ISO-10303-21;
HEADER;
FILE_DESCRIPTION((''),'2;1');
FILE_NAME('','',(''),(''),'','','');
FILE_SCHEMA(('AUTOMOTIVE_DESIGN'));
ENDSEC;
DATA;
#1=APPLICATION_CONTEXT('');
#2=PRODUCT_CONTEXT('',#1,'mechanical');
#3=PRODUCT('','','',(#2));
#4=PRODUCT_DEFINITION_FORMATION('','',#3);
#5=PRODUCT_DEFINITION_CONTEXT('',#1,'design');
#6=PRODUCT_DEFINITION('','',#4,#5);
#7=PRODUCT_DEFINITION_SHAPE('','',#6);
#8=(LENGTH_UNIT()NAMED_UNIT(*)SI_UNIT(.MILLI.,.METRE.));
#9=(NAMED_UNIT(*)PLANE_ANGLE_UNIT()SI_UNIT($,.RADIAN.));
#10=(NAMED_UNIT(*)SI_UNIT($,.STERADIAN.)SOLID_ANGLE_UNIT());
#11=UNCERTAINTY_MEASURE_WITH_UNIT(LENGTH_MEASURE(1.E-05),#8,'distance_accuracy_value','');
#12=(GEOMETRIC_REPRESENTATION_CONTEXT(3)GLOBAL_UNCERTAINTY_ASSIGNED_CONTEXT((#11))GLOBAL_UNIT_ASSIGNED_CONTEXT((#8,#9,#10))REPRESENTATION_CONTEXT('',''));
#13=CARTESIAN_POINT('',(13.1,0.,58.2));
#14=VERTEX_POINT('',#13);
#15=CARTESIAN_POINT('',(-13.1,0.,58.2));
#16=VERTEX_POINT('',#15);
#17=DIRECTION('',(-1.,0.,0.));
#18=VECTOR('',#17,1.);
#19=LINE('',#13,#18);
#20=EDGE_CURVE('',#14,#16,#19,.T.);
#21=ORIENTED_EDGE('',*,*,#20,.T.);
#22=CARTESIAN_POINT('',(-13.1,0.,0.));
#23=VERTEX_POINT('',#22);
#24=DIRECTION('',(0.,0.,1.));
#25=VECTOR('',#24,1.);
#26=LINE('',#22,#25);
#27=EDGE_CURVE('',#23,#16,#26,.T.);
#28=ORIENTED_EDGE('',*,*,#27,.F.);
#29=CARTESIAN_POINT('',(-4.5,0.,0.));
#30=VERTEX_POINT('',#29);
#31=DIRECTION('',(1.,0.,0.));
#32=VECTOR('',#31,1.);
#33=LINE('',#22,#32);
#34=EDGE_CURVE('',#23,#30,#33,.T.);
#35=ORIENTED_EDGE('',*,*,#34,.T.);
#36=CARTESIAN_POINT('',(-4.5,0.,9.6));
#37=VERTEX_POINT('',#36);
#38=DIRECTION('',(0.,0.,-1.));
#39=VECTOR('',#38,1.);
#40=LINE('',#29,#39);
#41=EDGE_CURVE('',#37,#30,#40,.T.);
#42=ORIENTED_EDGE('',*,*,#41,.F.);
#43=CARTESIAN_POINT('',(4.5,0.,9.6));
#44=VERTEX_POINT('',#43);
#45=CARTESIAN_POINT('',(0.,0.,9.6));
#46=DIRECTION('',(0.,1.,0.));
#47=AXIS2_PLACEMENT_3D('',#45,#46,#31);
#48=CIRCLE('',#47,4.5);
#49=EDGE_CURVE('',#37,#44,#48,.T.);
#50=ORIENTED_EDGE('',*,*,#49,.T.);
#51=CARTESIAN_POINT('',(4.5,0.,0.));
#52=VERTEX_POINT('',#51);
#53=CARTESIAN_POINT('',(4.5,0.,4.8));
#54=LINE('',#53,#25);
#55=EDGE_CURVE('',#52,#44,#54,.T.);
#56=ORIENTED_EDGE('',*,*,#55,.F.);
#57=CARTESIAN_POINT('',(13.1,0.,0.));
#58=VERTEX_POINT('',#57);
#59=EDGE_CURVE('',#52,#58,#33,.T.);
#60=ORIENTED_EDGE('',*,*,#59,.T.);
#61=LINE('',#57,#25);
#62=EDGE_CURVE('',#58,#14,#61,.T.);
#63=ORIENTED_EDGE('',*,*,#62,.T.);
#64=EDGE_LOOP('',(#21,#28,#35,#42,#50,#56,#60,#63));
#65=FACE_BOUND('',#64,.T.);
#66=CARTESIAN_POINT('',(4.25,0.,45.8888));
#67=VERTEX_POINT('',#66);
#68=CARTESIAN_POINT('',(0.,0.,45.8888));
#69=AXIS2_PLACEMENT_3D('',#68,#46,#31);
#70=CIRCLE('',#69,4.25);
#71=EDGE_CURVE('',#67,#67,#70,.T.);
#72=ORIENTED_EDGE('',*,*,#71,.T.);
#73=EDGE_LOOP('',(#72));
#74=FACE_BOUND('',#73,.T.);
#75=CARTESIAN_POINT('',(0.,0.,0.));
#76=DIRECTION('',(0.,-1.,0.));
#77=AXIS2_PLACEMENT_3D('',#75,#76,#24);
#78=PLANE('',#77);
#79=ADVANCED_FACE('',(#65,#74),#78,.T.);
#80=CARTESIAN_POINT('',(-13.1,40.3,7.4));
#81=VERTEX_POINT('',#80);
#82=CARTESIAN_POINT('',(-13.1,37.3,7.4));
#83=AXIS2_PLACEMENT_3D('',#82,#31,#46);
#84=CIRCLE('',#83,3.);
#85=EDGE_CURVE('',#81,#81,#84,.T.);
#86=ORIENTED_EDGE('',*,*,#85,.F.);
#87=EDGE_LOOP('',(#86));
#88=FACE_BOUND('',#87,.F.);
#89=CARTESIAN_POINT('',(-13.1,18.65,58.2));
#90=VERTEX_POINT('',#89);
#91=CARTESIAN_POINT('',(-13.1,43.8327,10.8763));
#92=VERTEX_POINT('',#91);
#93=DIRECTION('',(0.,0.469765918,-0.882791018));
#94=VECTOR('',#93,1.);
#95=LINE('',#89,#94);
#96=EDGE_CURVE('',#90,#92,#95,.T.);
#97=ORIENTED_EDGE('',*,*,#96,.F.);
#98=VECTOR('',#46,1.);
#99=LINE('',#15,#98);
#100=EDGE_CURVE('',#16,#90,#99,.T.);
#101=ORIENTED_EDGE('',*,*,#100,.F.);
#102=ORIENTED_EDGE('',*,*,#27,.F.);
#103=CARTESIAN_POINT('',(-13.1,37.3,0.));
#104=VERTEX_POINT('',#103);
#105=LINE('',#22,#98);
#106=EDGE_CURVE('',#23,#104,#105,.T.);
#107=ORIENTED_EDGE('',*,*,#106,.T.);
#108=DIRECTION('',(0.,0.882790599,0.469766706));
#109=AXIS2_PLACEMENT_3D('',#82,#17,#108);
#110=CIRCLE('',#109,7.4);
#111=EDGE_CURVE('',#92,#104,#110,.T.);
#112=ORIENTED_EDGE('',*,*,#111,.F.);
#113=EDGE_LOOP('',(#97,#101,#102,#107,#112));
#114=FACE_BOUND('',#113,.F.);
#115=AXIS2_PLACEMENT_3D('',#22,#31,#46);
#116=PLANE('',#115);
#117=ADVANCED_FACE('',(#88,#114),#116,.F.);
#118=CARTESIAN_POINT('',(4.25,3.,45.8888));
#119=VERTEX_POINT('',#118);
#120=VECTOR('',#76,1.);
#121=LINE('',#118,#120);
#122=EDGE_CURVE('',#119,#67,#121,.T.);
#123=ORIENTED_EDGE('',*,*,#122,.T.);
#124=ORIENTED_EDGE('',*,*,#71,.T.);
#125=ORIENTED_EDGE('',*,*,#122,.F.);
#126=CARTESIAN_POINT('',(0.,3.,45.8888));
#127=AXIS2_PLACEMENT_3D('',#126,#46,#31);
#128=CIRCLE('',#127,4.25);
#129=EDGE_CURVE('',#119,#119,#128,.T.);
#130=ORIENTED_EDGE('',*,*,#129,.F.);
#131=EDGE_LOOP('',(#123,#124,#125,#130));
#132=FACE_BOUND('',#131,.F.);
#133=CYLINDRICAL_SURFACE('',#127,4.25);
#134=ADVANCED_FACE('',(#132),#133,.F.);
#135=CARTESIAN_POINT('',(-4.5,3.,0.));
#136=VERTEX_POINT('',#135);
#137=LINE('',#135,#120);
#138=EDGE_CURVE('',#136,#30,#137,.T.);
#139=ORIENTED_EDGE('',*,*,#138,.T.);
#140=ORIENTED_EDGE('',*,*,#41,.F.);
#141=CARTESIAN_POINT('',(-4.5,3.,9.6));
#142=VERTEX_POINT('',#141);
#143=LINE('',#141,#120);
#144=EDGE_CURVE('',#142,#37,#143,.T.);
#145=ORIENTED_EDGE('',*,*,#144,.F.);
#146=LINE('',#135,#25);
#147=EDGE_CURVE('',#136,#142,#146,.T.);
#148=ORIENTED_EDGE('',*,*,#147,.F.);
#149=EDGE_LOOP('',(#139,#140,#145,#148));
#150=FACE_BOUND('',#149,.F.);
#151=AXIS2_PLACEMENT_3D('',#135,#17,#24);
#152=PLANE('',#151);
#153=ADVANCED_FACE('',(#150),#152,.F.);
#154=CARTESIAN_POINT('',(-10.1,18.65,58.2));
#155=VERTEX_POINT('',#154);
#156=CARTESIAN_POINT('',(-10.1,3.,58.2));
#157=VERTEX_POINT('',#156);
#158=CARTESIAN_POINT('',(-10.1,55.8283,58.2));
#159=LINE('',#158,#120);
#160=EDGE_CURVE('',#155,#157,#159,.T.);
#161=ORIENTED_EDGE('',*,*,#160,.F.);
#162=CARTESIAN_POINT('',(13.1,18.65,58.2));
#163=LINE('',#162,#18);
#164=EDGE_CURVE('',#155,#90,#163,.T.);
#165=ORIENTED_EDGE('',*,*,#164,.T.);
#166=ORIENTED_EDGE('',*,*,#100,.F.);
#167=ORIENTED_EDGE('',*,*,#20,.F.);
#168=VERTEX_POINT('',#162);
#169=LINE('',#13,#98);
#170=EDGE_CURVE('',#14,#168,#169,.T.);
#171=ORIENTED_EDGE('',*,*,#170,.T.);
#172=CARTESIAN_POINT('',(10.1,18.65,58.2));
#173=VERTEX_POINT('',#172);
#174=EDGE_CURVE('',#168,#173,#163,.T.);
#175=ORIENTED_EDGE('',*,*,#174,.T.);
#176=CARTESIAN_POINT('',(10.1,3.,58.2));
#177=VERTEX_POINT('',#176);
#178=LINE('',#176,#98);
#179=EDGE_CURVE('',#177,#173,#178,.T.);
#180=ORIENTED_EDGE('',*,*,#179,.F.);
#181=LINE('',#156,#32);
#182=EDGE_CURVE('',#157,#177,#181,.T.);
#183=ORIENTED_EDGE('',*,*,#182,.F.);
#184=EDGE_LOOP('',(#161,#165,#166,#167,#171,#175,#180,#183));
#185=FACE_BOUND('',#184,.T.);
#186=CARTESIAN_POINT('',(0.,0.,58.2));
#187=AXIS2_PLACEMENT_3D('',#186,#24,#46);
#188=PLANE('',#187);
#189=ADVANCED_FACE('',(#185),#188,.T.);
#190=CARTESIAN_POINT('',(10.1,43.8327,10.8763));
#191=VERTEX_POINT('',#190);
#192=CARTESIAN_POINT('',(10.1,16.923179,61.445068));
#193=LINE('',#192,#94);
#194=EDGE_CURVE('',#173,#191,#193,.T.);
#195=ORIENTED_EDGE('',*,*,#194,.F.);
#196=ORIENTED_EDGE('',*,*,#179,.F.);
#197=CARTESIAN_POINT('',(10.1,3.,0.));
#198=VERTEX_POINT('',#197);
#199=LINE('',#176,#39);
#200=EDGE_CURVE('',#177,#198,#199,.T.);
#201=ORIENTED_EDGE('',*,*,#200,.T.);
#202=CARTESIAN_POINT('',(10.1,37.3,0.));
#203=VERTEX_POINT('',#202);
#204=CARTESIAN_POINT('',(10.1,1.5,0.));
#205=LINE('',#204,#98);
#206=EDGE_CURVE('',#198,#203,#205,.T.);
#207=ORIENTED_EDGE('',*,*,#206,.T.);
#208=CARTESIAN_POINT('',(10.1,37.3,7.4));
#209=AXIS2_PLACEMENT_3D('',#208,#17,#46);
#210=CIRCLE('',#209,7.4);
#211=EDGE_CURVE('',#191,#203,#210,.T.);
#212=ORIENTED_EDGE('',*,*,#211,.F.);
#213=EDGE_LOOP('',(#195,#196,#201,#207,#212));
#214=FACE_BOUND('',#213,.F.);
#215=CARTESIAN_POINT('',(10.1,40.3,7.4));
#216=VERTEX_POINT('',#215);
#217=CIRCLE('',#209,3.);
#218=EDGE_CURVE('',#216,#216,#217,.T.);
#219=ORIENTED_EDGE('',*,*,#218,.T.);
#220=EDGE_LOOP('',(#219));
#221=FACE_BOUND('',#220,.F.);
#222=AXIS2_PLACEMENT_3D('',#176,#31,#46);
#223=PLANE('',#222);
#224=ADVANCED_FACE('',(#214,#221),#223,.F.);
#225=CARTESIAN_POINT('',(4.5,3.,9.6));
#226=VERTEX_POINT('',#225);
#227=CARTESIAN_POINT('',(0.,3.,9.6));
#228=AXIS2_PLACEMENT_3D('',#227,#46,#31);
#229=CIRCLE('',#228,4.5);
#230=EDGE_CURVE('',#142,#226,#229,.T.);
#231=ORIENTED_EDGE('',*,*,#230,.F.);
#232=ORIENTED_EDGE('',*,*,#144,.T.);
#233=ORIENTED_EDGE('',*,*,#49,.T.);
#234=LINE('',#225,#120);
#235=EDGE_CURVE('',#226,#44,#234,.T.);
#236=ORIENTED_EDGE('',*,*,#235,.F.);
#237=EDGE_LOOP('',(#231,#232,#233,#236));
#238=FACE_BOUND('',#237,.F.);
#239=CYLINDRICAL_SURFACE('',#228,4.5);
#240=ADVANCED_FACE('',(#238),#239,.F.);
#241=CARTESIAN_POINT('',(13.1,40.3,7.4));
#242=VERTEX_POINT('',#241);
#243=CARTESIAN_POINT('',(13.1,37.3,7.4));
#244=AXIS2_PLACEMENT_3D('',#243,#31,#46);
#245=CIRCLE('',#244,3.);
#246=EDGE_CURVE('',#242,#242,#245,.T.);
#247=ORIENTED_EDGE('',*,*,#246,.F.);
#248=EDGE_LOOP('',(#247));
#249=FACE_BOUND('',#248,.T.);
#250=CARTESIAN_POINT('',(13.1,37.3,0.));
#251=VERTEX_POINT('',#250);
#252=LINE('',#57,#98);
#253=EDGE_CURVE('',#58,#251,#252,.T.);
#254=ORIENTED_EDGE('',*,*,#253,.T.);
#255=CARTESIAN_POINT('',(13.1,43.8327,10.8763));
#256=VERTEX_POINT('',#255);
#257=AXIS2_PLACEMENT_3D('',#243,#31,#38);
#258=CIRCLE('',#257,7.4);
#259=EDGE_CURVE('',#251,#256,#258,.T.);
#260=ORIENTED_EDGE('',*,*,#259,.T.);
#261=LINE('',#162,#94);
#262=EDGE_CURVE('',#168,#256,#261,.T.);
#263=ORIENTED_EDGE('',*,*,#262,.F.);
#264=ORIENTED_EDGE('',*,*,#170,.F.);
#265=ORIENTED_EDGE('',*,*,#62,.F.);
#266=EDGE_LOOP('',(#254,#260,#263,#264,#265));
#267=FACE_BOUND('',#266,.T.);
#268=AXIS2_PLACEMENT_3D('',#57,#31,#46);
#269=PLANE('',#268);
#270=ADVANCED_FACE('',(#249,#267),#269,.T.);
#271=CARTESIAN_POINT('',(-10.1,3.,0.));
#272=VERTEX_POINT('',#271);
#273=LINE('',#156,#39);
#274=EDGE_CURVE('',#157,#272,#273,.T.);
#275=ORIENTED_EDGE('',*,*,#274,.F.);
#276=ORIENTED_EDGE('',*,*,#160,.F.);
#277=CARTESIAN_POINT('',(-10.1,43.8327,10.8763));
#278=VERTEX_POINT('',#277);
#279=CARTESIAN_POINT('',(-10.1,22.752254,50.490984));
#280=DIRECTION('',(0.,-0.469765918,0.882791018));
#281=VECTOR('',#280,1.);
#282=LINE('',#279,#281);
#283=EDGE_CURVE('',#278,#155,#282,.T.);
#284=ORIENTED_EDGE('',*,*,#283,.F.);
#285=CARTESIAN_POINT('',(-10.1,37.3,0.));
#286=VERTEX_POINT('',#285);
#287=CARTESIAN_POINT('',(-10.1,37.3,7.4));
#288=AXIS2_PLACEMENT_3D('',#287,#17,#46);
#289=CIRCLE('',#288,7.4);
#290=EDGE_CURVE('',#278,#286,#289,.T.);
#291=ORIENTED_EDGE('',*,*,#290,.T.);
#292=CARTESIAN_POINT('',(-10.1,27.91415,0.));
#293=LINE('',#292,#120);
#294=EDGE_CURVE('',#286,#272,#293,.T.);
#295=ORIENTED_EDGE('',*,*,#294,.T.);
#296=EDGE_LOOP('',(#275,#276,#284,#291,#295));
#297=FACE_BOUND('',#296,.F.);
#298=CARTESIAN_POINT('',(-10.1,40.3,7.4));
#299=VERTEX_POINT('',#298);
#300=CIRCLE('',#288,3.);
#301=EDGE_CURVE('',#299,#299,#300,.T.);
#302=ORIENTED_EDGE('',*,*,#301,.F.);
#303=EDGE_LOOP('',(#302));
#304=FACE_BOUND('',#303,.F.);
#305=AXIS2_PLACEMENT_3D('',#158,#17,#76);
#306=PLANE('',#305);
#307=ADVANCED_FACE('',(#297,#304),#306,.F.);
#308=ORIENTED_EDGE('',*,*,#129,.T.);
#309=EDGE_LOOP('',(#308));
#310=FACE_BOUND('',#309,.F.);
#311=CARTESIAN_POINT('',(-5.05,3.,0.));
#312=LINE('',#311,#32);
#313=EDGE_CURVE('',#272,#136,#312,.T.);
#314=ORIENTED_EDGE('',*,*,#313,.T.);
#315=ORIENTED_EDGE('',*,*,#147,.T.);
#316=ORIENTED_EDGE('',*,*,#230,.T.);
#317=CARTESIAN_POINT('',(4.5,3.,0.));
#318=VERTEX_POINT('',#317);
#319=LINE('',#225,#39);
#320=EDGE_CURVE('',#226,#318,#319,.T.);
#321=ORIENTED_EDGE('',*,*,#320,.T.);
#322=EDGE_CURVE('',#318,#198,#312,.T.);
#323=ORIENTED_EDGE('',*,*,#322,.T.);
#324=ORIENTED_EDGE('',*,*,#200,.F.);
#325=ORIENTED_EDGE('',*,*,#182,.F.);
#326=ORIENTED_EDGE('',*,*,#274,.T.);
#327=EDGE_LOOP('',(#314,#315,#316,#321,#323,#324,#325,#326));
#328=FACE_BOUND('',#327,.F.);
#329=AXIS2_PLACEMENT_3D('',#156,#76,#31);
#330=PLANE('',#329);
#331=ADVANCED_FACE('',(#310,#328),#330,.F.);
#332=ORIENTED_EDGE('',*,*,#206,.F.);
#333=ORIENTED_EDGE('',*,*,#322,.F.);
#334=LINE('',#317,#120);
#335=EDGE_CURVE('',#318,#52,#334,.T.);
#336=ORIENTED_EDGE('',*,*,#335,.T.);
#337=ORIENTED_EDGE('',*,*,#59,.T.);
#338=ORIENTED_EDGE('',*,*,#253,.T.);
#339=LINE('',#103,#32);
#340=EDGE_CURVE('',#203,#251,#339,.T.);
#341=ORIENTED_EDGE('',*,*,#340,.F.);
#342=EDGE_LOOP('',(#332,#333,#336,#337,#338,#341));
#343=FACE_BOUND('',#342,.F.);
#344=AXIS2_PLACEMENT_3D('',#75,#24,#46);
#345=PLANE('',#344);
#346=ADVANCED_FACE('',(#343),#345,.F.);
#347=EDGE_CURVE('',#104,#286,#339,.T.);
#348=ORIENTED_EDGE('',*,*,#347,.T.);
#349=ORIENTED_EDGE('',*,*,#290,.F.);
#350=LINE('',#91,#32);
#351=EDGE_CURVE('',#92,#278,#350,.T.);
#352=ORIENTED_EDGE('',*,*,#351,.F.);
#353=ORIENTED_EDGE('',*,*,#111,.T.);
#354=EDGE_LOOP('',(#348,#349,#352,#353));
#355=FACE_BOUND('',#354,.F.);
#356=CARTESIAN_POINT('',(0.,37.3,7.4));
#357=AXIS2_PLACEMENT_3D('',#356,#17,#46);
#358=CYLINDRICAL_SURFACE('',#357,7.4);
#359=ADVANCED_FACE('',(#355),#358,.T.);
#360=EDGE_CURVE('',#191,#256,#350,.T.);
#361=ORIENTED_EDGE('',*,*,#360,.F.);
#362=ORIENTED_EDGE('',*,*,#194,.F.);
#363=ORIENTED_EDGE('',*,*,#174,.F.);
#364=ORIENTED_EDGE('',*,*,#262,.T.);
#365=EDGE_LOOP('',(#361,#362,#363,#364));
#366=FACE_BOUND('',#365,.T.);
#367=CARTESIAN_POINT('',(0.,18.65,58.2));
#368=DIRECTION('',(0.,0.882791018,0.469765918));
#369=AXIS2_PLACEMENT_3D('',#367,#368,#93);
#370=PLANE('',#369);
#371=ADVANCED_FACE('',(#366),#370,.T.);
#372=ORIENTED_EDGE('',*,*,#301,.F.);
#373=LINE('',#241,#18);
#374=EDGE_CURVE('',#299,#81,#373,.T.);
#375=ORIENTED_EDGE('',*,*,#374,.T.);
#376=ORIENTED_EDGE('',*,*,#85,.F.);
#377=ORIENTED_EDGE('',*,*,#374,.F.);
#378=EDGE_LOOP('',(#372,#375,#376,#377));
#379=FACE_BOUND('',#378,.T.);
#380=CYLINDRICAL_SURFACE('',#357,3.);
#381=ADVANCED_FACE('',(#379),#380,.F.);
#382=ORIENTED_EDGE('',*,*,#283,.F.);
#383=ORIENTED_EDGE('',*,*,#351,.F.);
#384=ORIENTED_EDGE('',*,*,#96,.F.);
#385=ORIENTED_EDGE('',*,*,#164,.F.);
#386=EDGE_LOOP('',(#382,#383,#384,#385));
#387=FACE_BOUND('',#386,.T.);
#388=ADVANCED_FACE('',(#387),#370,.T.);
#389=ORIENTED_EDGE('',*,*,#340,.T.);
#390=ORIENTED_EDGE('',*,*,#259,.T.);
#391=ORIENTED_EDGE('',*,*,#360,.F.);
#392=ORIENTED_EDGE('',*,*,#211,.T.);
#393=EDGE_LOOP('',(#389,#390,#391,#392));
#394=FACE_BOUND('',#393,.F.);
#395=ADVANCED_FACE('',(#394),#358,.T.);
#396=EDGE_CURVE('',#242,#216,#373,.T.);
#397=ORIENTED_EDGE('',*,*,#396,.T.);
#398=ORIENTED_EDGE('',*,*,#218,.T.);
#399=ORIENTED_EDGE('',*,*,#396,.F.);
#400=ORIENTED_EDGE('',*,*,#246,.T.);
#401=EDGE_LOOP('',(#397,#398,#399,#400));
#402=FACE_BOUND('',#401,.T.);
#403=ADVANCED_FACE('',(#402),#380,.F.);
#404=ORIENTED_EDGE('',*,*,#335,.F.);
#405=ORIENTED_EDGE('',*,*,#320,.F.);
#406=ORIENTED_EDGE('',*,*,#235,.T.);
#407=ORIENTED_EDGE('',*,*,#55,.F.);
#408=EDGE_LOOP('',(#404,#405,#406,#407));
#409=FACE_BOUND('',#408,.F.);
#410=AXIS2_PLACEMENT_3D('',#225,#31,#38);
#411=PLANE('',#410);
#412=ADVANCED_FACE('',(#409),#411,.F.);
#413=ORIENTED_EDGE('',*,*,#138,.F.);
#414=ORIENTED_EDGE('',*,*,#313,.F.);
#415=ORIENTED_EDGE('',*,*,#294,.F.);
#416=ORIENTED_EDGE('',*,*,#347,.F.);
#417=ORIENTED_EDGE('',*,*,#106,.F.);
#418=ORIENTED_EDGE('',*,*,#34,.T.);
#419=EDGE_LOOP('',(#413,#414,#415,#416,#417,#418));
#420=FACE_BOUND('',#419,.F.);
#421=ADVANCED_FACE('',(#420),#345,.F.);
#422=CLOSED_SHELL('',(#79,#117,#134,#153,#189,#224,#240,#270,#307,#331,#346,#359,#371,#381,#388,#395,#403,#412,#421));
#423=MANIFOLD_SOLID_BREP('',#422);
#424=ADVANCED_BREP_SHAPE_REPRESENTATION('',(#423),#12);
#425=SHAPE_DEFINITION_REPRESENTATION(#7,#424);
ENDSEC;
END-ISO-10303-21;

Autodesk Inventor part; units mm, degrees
ref_plane "YZ Plane" through (0, 0, 0) normal (1, 0, 0) x (0, 1, 0)
ref_plane "XZ Plane" through (0, 0, 0) normal (0, 1, 0) x (-1, 0, 0)
ref_plane "XY Plane" through (0, 0, 0) normal (0, 0, 1) x (1, 0, 0)
sketch "스케치1" plane through (0, 0, 0) normal (1, 0, 0) x (0, 1, 0)
  line L0 (0, 0) -> (0, 58.2)
  line L1 (0, 58.2) -> (18.65, 58.2)
  line L2 (0, 0) -> (37.3, 0)
  circle A0 centre (37.3, 7.4) radius 7.4
  circle A1 centre (37.3, 7.4) radius 3
  line L3 (18.65, 58.2) -> (43.8327, 10.8763)
  dimension "d3" = 14.8
  dimension "d0" = 58.2
  dimension "d1" = 37.3
  dimension "d2" = 18.65
  dimension "d4" = 0
  dimension "d5" = 6
extrude "돌출1" add sketch "스케치1" along normal mid plane 26.2
sketch "스케치2" plane through (-13.1, 0, 58.2) normal (0, 0, 1) x (1, 0, 0)
  line L0 (3, 3) -> (23.2, 3)
  line L1 (23.2, 3) -> (23.2, 55.8283)
  line L2 (23.2, 55.8283) -> (3, 55.8283)
  line L3 (3, 55.8283) -> (3, 3)
  line L4 (26.2, 43.8327) -> (26.2, 18.65) projected
  line L5 (26.2, 0) -> (0, 0) projected
  line L6 (0, 18.65) -> (0, 43.8327) projected
  point P0 (13.1, 0)
  dimension "d8" = 3
  dimension "d9" = 3
  dimension "d10" = 3
extrude "돌출2" cut sketch "스케치2" against normal through all
sketch "스케치3" plane through (-10.1, 3, 58.2) normal (0, 1, 0) x (1, 0, 0)
  circle A0 centre (10.1, 48.6) radius 4.5
  line L0 (0, 58.2) -> (20.2, 58.2) projected
  line L1 (14.6, 58.2) -> (5.6, 58.2)
  line L2 (5.6, 58.2) -> (5.6, 48.6)
  line L3 (5.6, 48.6) -> (14.6, 48.6)
  line L4 (14.6, 48.6) -> (14.6, 58.2)
  circle A1 centre (10.1, 12.3112) radius 4.25
  point P0 (10.1, 58.2)
  point P1 (10.1, 58.2)
  point P2 (10.1, 48.6)
  point P3 (10.1, 58.2)
  point P4 (14.6, 48.6)
  dimension "d13" = 9
  dimension "d14" = 9
  dimension "d15" = 9.6
  dimension "d16" = 0
  dimension "d17" = 8.5
  dimension "d18" = 0
extrude "돌출3" cut sketch "스케치3" against normal through all
equation "\"d2\" = 0.5 * d1"
properties part number "높이액추브라켓"
